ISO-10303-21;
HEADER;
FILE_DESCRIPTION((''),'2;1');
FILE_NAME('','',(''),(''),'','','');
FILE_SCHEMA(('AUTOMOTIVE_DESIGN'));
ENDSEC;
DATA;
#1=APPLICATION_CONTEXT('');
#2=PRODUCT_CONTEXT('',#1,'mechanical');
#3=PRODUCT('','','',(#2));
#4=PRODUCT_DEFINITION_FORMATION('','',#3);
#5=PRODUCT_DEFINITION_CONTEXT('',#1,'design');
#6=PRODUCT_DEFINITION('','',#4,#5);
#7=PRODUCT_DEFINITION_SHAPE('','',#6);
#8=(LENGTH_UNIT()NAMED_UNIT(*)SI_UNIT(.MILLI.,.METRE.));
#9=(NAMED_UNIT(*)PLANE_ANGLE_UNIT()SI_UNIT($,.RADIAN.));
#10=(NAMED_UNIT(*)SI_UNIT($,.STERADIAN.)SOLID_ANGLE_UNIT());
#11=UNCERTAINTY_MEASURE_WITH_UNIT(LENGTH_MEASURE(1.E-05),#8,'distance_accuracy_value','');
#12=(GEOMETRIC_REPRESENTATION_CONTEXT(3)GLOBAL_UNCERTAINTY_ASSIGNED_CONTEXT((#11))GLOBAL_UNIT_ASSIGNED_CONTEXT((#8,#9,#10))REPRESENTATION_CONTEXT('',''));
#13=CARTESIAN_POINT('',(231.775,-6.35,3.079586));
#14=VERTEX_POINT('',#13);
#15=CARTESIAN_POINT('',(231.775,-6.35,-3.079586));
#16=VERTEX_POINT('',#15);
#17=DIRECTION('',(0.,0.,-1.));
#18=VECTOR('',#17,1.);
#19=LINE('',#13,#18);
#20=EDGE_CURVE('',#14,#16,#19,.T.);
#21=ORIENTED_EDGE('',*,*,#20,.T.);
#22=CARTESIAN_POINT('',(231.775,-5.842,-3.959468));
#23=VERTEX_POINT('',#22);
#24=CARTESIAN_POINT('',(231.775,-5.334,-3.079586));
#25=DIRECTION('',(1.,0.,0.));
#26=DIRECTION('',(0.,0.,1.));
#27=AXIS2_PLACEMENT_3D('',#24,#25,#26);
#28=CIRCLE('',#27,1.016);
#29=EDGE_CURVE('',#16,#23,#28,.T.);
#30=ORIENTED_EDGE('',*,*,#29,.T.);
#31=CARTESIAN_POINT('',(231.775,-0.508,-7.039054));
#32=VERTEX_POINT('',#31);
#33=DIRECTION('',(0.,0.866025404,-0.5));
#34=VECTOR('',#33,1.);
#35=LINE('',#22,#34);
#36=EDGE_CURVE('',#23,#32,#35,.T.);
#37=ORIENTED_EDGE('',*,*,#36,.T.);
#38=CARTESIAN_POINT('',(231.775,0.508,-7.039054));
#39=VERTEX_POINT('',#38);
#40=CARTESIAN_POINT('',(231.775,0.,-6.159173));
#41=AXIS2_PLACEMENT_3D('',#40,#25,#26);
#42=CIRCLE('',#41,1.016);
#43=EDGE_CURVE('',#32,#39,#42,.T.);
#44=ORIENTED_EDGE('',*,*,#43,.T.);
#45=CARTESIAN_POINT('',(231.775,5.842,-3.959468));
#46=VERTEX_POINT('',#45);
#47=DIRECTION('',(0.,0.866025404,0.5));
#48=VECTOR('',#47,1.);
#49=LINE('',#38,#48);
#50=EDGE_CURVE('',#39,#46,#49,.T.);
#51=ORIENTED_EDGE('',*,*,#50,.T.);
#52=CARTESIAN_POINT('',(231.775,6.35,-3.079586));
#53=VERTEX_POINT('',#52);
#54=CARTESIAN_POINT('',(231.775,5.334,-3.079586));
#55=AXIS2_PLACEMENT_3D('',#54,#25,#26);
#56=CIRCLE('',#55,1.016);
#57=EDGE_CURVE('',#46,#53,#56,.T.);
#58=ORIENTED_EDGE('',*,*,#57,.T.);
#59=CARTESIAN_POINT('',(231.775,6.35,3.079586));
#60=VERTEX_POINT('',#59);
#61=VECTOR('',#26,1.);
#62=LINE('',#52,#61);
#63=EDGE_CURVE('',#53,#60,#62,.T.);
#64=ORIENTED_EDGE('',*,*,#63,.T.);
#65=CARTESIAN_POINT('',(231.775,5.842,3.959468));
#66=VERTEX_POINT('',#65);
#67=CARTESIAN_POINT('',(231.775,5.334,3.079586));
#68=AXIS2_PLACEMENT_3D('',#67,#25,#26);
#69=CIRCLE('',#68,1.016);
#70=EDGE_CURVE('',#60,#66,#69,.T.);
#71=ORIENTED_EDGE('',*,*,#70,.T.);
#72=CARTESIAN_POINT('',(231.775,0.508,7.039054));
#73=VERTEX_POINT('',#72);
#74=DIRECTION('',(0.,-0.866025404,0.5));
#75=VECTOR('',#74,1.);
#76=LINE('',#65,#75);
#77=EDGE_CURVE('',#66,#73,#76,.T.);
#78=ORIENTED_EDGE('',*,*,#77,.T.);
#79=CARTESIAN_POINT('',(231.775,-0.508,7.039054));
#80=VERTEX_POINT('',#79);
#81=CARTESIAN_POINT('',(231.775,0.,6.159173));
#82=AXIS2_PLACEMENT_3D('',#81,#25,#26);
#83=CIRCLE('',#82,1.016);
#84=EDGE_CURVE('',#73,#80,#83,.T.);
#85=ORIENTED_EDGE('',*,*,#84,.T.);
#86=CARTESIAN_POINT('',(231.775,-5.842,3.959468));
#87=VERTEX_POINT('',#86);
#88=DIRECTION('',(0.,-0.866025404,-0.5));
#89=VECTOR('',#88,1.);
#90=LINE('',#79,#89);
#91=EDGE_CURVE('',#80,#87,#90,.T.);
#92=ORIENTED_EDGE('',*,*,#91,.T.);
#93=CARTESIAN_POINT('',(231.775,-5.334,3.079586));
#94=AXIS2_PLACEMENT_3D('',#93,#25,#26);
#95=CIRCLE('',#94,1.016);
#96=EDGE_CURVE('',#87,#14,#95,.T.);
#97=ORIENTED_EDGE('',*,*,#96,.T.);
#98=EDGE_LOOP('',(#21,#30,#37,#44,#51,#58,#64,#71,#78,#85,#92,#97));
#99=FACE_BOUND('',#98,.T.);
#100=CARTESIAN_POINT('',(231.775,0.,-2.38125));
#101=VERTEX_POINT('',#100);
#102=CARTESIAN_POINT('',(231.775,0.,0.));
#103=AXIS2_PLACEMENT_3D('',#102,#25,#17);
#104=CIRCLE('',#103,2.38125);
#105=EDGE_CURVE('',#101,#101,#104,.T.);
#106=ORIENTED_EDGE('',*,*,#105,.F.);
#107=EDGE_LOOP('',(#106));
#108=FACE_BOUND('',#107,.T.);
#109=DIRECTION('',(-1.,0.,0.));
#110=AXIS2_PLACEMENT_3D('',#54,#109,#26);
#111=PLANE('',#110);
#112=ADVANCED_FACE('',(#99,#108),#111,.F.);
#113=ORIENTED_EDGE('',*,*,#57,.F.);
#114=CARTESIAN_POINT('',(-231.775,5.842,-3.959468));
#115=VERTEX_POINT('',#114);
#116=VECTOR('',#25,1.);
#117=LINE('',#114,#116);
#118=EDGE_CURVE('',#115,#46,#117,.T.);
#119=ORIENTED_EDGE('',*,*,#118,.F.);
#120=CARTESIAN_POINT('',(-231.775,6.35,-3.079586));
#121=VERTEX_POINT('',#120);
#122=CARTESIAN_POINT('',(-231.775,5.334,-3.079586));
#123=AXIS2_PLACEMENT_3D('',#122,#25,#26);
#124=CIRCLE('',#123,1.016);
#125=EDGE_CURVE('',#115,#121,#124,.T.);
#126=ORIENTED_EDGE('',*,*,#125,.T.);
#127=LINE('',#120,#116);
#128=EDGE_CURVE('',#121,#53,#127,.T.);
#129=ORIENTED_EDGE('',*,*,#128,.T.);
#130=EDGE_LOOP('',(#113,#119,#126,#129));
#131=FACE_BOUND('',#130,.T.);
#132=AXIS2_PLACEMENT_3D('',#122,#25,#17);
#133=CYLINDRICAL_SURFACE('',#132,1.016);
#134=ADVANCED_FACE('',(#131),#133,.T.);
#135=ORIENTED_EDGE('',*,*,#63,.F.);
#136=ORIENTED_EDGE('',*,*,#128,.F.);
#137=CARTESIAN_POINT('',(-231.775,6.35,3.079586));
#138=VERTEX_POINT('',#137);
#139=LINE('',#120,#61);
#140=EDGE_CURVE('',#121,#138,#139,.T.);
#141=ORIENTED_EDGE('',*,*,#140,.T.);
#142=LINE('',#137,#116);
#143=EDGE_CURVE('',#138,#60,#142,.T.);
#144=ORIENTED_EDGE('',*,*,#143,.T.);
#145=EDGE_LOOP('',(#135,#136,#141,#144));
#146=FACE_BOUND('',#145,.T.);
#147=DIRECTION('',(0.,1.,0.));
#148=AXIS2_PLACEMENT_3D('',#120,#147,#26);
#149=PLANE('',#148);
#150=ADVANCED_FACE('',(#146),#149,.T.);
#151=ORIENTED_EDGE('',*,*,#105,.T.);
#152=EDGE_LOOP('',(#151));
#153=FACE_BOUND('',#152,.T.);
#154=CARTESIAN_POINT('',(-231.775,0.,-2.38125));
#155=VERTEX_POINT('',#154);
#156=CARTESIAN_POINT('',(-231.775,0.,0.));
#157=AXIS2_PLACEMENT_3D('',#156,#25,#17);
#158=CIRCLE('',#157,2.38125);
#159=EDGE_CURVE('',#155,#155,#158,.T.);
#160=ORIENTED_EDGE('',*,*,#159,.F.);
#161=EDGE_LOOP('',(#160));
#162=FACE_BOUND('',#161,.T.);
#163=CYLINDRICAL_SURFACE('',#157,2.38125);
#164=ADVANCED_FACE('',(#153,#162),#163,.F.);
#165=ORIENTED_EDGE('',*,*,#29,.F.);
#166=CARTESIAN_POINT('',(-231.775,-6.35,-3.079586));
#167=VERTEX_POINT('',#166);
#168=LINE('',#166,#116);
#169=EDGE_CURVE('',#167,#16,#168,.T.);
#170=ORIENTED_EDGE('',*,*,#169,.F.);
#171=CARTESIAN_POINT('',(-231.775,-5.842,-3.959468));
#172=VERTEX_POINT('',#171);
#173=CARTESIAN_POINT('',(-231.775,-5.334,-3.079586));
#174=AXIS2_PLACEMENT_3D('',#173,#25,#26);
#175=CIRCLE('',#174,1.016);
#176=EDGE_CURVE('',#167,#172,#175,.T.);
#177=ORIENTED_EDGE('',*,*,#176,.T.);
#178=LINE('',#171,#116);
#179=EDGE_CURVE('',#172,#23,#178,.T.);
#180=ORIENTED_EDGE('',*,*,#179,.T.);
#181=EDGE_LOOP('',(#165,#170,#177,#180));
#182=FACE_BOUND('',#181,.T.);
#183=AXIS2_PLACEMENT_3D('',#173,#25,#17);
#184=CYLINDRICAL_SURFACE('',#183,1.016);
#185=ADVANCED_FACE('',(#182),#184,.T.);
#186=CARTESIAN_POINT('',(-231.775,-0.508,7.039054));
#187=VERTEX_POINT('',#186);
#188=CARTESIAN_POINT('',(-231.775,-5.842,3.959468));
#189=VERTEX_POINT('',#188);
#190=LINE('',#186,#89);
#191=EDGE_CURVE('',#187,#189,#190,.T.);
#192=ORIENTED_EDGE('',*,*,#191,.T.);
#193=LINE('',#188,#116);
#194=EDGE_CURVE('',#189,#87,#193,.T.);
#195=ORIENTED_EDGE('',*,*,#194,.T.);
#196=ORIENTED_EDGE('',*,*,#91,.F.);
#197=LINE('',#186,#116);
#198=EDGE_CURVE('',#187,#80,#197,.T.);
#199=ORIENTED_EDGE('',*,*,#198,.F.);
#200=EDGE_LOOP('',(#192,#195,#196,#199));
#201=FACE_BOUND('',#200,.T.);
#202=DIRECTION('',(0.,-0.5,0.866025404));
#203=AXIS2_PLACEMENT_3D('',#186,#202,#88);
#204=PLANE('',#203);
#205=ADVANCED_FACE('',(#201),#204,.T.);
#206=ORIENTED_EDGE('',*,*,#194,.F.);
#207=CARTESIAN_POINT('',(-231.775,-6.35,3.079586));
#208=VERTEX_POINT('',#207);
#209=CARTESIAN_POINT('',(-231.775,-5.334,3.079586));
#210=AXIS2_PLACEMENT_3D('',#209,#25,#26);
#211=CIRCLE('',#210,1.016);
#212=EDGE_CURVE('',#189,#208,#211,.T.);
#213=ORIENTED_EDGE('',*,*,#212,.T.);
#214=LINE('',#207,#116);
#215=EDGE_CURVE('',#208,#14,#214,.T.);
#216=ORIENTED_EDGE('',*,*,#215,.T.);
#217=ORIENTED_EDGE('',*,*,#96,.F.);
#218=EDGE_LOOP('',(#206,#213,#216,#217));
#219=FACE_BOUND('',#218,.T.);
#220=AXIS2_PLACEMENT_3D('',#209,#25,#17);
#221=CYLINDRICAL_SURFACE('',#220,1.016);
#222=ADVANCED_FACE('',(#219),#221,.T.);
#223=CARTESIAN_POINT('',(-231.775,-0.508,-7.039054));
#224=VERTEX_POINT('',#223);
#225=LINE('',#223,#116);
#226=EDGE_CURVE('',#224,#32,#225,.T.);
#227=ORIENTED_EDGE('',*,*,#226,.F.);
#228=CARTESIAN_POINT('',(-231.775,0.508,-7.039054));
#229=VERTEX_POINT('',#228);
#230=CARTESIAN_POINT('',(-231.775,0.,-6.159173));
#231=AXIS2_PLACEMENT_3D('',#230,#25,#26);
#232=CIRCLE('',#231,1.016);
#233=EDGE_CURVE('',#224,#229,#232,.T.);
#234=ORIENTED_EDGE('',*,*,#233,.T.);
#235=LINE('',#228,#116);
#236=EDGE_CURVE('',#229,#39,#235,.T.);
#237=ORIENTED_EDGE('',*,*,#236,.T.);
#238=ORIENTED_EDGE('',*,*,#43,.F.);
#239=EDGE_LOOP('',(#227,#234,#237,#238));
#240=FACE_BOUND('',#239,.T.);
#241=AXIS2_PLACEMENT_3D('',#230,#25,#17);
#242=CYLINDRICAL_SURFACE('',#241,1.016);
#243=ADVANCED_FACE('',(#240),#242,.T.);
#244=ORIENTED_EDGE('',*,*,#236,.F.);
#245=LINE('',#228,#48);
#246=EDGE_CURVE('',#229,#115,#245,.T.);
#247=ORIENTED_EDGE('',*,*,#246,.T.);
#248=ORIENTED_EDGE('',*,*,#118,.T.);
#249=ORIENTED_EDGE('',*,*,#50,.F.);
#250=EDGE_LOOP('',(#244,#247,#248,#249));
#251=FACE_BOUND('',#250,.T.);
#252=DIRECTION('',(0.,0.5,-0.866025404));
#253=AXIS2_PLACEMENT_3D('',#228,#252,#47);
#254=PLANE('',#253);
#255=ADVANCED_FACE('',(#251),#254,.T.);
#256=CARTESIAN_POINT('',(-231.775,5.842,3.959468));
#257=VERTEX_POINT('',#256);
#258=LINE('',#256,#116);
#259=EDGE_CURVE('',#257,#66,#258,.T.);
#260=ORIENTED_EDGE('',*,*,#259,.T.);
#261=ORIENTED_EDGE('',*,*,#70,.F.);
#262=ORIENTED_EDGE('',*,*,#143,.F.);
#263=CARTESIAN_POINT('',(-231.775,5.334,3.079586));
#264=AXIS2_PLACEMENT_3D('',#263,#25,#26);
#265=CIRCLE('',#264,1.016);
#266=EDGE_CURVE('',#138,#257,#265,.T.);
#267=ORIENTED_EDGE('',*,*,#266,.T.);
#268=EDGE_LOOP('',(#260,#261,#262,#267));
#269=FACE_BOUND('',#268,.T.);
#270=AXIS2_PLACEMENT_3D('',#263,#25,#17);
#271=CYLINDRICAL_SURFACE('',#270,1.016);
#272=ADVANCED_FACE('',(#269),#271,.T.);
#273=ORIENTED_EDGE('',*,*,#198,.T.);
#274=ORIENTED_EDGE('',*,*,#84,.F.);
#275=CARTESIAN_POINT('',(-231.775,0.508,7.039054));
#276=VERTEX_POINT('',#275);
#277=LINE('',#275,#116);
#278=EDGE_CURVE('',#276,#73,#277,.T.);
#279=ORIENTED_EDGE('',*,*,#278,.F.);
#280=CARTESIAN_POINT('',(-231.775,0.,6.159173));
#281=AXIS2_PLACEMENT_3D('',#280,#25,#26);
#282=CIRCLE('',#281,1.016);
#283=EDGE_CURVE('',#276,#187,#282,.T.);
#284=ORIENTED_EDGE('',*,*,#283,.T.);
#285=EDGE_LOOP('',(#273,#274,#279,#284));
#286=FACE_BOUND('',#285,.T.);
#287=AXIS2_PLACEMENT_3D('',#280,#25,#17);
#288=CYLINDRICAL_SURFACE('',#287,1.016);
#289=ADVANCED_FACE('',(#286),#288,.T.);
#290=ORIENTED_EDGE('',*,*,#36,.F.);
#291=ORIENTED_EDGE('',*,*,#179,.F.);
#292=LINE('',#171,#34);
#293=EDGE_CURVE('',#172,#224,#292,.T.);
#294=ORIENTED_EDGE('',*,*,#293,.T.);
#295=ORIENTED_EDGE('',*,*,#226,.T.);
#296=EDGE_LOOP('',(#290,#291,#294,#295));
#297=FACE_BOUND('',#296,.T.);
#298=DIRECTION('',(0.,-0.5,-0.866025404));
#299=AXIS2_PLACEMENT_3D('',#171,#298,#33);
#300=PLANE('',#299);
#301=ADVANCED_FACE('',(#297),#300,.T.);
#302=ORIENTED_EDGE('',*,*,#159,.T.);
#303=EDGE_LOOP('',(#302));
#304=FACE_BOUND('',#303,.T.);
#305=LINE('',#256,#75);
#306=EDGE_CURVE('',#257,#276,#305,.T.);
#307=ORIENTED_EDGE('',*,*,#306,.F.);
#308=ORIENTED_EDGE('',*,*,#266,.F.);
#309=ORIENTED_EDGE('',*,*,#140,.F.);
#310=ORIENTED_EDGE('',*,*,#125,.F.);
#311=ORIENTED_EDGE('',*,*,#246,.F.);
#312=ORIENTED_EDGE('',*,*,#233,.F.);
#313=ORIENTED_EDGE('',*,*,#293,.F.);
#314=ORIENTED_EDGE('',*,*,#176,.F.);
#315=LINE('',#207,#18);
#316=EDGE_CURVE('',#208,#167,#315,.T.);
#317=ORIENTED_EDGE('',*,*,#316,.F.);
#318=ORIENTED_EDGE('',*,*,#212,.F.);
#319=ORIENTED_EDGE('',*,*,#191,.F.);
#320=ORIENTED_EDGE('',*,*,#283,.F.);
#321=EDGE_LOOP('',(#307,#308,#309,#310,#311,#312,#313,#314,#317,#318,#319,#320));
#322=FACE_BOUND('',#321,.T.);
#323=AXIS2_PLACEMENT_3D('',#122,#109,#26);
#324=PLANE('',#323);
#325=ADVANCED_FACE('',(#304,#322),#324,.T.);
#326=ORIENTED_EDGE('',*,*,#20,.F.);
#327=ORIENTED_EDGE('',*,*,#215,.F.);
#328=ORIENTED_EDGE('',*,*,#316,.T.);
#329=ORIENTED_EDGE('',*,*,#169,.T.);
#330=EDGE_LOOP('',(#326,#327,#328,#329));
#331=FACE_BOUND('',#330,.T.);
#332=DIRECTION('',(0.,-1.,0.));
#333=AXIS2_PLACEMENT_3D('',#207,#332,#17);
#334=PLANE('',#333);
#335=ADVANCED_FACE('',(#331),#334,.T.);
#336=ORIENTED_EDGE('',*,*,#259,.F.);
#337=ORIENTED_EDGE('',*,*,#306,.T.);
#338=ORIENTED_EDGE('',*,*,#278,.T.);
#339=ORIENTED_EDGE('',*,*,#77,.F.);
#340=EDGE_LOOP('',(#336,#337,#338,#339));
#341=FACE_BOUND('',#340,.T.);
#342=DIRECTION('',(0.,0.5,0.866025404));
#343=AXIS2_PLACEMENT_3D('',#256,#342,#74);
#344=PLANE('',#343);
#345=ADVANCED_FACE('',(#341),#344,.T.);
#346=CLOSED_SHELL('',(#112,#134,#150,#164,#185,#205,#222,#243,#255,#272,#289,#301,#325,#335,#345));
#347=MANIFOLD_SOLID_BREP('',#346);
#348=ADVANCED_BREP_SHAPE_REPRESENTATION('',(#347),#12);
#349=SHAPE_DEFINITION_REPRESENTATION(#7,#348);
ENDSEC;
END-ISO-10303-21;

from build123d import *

# Parameters (mm, degrees)
SKETCH1_R                = 2.38125
BOSS_EXTRUDE1_DEPTH      = 231.775
BOSS_EXTRUDE1_DEPTH_BACK = 231.775


with BuildPart() as part:
    # Sketch1 → Boss-Extrude1 (new body, two sides)
    with BuildSketch(Plane(origin=(0, 0, 0), x_dir=(0, 0, -1), z_dir=(1, 0, 0))) as boss_extrude1_sk:
        with BuildLine():
            Line((7.039054482, 0.508), (3.959468146, 5.842))
            ThreePointArc((3.959468146, 5.842), (3.587586336, 6.21388181), (3.079586336, 6.35))
            Line((3.079586336, 6.35), (-3.079586336, 6.35))
            ThreePointArc((-3.079586336, 6.35), (-3.587586336, 6.21388181), (-3.959468146, 5.842))
            Line((-3.959468146, 5.842), (-7.039054482, 0.508))
            ThreePointArc((-7.039054482, 0.508), (-7.175172672, 0), (-7.039054482, -0.508))
            Line((-7.039054482, -0.508), (-3.959468146, -5.842))
            ThreePointArc((-3.959468146, -5.842), (-3.587586336, -6.21388181), (-3.079586336, -6.35))
            Line((-3.079586336, -6.35), (3.079586336, -6.35))
            ThreePointArc((3.079586336, -6.35), (3.587586336, -6.21388181), (3.959468146, -5.842))
            Line((3.959468146, -5.842), (7.039054482, -0.508))
            ThreePointArc((7.039054482, -0.508), (7.175172672, 0), (7.039054482, 0.508))
        make_face()
        Circle(SKETCH1_R, mode=Mode.SUBTRACT)
    extrude(amount=BOSS_EXTRUDE1_DEPTH)
    extrude(boss_extrude1_sk.sketch, amount=-BOSS_EXTRUDE1_DEPTH_BACK)


solid = part.part
